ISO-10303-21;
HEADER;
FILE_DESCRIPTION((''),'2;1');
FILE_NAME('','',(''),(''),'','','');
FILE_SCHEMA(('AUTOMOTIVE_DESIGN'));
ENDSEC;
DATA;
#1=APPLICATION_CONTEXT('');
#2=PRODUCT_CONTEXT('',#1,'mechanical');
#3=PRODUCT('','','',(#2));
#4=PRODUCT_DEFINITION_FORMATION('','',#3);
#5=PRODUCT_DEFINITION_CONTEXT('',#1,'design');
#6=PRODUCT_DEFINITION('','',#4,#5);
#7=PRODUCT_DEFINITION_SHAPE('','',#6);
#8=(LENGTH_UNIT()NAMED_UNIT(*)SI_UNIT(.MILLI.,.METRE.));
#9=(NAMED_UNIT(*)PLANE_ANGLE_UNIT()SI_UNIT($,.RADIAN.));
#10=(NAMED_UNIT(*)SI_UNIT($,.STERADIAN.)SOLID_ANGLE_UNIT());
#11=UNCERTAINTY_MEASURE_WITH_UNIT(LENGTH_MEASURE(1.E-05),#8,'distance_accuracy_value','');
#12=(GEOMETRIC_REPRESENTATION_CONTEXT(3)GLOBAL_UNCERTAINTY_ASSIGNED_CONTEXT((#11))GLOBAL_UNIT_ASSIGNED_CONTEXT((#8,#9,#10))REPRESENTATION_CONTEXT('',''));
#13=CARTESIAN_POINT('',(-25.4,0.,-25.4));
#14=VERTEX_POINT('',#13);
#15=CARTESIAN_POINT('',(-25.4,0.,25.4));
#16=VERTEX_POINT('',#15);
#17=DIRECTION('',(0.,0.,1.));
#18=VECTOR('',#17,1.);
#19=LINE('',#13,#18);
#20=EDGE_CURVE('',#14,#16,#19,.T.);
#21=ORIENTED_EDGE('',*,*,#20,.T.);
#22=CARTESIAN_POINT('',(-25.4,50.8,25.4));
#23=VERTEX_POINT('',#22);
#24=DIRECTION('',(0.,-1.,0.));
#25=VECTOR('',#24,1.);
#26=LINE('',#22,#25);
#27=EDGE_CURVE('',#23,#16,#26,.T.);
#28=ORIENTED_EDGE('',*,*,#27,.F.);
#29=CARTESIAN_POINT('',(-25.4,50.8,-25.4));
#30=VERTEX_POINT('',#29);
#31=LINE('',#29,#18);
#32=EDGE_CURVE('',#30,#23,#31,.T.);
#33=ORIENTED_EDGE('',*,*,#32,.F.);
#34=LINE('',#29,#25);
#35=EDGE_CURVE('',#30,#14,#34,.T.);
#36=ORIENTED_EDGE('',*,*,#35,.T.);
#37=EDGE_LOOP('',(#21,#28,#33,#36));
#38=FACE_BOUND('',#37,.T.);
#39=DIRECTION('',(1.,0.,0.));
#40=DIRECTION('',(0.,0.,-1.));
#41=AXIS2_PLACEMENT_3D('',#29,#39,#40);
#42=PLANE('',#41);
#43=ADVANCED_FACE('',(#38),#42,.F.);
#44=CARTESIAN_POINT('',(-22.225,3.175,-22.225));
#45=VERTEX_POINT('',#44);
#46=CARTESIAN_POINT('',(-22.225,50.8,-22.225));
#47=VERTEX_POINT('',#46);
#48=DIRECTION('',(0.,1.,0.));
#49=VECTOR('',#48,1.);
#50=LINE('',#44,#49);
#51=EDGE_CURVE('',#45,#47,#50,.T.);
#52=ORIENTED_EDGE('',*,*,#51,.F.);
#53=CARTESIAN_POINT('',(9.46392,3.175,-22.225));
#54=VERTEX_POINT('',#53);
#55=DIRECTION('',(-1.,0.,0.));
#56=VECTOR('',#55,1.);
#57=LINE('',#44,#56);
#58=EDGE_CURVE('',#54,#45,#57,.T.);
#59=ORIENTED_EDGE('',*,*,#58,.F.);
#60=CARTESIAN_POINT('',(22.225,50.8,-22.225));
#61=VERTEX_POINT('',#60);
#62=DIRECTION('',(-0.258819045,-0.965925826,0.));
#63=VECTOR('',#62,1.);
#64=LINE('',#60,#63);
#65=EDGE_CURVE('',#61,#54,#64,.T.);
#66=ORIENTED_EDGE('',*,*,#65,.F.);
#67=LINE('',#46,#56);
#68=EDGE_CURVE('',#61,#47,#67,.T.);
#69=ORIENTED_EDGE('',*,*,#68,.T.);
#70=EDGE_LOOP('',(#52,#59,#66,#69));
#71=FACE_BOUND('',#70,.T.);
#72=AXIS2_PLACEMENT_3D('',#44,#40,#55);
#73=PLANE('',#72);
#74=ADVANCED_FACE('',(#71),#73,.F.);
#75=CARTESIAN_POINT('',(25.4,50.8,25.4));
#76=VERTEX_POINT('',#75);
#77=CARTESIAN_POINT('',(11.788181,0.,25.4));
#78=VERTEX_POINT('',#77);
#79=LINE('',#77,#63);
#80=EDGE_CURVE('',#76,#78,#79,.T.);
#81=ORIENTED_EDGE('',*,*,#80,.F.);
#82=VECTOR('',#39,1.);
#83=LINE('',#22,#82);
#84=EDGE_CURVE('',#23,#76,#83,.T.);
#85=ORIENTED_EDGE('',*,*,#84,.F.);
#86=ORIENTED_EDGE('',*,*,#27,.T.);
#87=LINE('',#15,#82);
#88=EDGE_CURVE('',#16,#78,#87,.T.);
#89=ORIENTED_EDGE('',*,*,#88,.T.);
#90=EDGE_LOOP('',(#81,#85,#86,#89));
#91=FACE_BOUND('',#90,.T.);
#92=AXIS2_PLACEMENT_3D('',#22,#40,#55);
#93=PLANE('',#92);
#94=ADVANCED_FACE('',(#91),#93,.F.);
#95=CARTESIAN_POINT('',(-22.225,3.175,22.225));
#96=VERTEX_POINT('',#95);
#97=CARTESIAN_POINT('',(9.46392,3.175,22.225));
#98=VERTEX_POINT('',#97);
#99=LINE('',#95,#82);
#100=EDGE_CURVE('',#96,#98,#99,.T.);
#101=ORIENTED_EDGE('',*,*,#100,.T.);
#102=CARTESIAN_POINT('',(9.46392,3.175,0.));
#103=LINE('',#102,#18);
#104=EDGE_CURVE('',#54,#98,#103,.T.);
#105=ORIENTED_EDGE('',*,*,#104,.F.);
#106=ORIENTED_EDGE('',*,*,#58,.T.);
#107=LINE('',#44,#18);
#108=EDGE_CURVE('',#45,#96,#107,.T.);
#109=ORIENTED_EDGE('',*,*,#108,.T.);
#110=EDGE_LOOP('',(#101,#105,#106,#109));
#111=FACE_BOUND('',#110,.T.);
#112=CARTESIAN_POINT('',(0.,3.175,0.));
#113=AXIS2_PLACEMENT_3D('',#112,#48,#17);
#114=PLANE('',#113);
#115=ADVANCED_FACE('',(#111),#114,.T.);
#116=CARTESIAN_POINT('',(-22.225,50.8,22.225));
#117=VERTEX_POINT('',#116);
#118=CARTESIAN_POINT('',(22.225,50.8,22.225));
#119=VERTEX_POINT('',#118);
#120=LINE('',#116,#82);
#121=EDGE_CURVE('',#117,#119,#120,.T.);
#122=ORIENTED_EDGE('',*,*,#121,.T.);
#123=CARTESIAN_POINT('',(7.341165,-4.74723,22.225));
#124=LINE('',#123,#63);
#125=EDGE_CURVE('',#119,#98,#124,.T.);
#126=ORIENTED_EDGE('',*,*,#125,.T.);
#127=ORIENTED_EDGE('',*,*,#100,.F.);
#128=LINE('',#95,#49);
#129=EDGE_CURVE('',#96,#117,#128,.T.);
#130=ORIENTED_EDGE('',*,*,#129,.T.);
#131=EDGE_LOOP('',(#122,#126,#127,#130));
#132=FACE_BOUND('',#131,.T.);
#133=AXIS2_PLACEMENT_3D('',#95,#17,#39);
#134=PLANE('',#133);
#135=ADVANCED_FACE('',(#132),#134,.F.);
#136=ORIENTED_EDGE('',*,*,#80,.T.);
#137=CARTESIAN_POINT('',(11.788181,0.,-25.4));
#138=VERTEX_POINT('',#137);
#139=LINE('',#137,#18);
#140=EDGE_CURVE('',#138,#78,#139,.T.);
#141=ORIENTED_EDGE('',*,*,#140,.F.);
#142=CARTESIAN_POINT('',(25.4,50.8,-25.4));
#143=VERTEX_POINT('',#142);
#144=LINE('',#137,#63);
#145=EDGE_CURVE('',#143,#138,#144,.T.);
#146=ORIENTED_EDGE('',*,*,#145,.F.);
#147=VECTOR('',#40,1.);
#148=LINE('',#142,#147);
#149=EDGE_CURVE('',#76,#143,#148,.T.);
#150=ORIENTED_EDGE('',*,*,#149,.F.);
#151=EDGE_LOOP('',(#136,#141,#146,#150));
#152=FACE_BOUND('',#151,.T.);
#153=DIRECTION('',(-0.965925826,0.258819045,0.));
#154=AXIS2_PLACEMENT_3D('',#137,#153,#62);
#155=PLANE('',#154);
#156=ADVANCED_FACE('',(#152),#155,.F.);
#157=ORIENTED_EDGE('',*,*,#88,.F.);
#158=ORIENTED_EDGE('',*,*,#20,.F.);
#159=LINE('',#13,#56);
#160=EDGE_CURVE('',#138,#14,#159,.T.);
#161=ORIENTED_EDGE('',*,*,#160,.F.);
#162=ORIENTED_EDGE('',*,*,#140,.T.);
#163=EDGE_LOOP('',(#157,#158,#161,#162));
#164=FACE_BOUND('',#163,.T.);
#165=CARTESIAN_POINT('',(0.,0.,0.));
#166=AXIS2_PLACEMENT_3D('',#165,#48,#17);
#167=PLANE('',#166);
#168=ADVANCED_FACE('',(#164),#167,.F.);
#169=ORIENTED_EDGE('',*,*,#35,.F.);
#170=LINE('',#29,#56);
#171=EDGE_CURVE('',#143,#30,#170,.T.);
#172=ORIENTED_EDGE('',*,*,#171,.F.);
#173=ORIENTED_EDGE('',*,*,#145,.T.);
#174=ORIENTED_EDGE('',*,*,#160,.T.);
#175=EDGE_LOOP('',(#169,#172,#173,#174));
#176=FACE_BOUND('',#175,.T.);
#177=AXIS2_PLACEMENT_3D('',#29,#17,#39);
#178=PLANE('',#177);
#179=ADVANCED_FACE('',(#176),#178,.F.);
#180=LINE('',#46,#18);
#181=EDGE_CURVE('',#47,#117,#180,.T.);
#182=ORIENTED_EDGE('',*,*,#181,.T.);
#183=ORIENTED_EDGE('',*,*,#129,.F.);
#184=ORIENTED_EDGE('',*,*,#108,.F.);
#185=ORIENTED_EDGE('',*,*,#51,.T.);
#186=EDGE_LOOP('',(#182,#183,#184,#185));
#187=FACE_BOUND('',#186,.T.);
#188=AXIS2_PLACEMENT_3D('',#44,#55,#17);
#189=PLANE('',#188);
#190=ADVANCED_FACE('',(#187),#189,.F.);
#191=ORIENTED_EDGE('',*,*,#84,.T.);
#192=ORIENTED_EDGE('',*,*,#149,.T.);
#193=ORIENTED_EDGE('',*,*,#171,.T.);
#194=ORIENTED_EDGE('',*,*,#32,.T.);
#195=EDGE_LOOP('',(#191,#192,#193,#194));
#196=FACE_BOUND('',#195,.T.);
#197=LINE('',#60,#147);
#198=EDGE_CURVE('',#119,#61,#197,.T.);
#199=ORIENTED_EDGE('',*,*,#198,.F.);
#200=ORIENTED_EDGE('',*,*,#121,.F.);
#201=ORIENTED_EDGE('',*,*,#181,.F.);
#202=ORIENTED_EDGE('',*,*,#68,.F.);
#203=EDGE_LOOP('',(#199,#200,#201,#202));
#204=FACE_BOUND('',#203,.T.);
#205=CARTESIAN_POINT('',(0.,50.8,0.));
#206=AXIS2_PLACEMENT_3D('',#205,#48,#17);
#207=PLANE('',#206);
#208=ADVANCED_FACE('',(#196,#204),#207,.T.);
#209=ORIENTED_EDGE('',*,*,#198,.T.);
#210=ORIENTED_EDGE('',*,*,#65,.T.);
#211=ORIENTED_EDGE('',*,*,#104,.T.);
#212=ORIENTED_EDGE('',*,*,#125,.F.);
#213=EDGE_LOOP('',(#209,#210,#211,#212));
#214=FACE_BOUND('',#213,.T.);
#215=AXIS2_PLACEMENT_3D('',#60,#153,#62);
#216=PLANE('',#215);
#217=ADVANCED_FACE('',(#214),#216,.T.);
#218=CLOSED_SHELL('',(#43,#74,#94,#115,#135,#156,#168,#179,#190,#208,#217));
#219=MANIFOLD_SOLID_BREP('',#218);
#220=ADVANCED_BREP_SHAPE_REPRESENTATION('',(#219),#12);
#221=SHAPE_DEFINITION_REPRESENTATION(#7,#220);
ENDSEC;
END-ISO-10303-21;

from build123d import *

# Parameters (mm, degrees)
SKETCH10_W          = 50.8
SKETCH10_H          = 50.8
BOSS_EXTRUDE4_DEPTH = 50.8
CUT_EXTRUDE6_DEPTH  = 77.2
SKETCH19_W          = 44.45
SKETCH19_H          = 44.45
CUT_EXTRUDE8_DEPTH  = 47.625
BOSS_EXTRUDE6_DEPTH = 47.625


with BuildPart() as part:
    # Sketch10 → Boss-Extrude4 (new body)
    with BuildSketch(Plane(origin=(0, 0, 0), x_dir=(1, 0, 0), z_dir=(0, 1, 0))):
        Rectangle(SKETCH10_W, SKETCH10_H)
    extrude(amount=BOSS_EXTRUDE4_DEPTH)

    # Sketch17 → Cut-Extrude6 (cut, through all)
    with BuildSketch(Plane.XY.offset(25.4)):
        Polygon((25.4, 0), (25.4, 50.8), (11.788181024, 0), align=None)
    extrude(amount=-CUT_EXTRUDE6_DEPTH, mode=Mode.SUBTRACT)

    # Sketch19 → Cut-Extrude8 (cut)
    with BuildSketch(Plane(origin=(0, 50.8, 0), x_dir=(1, 0, 0), z_dir=(0, 1, 0))):
        Rectangle(SKETCH19_W, SKETCH19_H)
    extrude(amount=-CUT_EXTRUDE8_DEPTH, mode=Mode.SUBTRACT)

    # Sketch20 → Boss-Extrude6 (add)
    with BuildSketch(Plane.XY.offset(25.4)):
        Polygon((22.225, 50.8), (8.613181024, 0), (11.788181024, 0), (25.4, 50.8), align=None)
    extrude(amount=-BOSS_EXTRUDE6_DEPTH)


solid = part.part
